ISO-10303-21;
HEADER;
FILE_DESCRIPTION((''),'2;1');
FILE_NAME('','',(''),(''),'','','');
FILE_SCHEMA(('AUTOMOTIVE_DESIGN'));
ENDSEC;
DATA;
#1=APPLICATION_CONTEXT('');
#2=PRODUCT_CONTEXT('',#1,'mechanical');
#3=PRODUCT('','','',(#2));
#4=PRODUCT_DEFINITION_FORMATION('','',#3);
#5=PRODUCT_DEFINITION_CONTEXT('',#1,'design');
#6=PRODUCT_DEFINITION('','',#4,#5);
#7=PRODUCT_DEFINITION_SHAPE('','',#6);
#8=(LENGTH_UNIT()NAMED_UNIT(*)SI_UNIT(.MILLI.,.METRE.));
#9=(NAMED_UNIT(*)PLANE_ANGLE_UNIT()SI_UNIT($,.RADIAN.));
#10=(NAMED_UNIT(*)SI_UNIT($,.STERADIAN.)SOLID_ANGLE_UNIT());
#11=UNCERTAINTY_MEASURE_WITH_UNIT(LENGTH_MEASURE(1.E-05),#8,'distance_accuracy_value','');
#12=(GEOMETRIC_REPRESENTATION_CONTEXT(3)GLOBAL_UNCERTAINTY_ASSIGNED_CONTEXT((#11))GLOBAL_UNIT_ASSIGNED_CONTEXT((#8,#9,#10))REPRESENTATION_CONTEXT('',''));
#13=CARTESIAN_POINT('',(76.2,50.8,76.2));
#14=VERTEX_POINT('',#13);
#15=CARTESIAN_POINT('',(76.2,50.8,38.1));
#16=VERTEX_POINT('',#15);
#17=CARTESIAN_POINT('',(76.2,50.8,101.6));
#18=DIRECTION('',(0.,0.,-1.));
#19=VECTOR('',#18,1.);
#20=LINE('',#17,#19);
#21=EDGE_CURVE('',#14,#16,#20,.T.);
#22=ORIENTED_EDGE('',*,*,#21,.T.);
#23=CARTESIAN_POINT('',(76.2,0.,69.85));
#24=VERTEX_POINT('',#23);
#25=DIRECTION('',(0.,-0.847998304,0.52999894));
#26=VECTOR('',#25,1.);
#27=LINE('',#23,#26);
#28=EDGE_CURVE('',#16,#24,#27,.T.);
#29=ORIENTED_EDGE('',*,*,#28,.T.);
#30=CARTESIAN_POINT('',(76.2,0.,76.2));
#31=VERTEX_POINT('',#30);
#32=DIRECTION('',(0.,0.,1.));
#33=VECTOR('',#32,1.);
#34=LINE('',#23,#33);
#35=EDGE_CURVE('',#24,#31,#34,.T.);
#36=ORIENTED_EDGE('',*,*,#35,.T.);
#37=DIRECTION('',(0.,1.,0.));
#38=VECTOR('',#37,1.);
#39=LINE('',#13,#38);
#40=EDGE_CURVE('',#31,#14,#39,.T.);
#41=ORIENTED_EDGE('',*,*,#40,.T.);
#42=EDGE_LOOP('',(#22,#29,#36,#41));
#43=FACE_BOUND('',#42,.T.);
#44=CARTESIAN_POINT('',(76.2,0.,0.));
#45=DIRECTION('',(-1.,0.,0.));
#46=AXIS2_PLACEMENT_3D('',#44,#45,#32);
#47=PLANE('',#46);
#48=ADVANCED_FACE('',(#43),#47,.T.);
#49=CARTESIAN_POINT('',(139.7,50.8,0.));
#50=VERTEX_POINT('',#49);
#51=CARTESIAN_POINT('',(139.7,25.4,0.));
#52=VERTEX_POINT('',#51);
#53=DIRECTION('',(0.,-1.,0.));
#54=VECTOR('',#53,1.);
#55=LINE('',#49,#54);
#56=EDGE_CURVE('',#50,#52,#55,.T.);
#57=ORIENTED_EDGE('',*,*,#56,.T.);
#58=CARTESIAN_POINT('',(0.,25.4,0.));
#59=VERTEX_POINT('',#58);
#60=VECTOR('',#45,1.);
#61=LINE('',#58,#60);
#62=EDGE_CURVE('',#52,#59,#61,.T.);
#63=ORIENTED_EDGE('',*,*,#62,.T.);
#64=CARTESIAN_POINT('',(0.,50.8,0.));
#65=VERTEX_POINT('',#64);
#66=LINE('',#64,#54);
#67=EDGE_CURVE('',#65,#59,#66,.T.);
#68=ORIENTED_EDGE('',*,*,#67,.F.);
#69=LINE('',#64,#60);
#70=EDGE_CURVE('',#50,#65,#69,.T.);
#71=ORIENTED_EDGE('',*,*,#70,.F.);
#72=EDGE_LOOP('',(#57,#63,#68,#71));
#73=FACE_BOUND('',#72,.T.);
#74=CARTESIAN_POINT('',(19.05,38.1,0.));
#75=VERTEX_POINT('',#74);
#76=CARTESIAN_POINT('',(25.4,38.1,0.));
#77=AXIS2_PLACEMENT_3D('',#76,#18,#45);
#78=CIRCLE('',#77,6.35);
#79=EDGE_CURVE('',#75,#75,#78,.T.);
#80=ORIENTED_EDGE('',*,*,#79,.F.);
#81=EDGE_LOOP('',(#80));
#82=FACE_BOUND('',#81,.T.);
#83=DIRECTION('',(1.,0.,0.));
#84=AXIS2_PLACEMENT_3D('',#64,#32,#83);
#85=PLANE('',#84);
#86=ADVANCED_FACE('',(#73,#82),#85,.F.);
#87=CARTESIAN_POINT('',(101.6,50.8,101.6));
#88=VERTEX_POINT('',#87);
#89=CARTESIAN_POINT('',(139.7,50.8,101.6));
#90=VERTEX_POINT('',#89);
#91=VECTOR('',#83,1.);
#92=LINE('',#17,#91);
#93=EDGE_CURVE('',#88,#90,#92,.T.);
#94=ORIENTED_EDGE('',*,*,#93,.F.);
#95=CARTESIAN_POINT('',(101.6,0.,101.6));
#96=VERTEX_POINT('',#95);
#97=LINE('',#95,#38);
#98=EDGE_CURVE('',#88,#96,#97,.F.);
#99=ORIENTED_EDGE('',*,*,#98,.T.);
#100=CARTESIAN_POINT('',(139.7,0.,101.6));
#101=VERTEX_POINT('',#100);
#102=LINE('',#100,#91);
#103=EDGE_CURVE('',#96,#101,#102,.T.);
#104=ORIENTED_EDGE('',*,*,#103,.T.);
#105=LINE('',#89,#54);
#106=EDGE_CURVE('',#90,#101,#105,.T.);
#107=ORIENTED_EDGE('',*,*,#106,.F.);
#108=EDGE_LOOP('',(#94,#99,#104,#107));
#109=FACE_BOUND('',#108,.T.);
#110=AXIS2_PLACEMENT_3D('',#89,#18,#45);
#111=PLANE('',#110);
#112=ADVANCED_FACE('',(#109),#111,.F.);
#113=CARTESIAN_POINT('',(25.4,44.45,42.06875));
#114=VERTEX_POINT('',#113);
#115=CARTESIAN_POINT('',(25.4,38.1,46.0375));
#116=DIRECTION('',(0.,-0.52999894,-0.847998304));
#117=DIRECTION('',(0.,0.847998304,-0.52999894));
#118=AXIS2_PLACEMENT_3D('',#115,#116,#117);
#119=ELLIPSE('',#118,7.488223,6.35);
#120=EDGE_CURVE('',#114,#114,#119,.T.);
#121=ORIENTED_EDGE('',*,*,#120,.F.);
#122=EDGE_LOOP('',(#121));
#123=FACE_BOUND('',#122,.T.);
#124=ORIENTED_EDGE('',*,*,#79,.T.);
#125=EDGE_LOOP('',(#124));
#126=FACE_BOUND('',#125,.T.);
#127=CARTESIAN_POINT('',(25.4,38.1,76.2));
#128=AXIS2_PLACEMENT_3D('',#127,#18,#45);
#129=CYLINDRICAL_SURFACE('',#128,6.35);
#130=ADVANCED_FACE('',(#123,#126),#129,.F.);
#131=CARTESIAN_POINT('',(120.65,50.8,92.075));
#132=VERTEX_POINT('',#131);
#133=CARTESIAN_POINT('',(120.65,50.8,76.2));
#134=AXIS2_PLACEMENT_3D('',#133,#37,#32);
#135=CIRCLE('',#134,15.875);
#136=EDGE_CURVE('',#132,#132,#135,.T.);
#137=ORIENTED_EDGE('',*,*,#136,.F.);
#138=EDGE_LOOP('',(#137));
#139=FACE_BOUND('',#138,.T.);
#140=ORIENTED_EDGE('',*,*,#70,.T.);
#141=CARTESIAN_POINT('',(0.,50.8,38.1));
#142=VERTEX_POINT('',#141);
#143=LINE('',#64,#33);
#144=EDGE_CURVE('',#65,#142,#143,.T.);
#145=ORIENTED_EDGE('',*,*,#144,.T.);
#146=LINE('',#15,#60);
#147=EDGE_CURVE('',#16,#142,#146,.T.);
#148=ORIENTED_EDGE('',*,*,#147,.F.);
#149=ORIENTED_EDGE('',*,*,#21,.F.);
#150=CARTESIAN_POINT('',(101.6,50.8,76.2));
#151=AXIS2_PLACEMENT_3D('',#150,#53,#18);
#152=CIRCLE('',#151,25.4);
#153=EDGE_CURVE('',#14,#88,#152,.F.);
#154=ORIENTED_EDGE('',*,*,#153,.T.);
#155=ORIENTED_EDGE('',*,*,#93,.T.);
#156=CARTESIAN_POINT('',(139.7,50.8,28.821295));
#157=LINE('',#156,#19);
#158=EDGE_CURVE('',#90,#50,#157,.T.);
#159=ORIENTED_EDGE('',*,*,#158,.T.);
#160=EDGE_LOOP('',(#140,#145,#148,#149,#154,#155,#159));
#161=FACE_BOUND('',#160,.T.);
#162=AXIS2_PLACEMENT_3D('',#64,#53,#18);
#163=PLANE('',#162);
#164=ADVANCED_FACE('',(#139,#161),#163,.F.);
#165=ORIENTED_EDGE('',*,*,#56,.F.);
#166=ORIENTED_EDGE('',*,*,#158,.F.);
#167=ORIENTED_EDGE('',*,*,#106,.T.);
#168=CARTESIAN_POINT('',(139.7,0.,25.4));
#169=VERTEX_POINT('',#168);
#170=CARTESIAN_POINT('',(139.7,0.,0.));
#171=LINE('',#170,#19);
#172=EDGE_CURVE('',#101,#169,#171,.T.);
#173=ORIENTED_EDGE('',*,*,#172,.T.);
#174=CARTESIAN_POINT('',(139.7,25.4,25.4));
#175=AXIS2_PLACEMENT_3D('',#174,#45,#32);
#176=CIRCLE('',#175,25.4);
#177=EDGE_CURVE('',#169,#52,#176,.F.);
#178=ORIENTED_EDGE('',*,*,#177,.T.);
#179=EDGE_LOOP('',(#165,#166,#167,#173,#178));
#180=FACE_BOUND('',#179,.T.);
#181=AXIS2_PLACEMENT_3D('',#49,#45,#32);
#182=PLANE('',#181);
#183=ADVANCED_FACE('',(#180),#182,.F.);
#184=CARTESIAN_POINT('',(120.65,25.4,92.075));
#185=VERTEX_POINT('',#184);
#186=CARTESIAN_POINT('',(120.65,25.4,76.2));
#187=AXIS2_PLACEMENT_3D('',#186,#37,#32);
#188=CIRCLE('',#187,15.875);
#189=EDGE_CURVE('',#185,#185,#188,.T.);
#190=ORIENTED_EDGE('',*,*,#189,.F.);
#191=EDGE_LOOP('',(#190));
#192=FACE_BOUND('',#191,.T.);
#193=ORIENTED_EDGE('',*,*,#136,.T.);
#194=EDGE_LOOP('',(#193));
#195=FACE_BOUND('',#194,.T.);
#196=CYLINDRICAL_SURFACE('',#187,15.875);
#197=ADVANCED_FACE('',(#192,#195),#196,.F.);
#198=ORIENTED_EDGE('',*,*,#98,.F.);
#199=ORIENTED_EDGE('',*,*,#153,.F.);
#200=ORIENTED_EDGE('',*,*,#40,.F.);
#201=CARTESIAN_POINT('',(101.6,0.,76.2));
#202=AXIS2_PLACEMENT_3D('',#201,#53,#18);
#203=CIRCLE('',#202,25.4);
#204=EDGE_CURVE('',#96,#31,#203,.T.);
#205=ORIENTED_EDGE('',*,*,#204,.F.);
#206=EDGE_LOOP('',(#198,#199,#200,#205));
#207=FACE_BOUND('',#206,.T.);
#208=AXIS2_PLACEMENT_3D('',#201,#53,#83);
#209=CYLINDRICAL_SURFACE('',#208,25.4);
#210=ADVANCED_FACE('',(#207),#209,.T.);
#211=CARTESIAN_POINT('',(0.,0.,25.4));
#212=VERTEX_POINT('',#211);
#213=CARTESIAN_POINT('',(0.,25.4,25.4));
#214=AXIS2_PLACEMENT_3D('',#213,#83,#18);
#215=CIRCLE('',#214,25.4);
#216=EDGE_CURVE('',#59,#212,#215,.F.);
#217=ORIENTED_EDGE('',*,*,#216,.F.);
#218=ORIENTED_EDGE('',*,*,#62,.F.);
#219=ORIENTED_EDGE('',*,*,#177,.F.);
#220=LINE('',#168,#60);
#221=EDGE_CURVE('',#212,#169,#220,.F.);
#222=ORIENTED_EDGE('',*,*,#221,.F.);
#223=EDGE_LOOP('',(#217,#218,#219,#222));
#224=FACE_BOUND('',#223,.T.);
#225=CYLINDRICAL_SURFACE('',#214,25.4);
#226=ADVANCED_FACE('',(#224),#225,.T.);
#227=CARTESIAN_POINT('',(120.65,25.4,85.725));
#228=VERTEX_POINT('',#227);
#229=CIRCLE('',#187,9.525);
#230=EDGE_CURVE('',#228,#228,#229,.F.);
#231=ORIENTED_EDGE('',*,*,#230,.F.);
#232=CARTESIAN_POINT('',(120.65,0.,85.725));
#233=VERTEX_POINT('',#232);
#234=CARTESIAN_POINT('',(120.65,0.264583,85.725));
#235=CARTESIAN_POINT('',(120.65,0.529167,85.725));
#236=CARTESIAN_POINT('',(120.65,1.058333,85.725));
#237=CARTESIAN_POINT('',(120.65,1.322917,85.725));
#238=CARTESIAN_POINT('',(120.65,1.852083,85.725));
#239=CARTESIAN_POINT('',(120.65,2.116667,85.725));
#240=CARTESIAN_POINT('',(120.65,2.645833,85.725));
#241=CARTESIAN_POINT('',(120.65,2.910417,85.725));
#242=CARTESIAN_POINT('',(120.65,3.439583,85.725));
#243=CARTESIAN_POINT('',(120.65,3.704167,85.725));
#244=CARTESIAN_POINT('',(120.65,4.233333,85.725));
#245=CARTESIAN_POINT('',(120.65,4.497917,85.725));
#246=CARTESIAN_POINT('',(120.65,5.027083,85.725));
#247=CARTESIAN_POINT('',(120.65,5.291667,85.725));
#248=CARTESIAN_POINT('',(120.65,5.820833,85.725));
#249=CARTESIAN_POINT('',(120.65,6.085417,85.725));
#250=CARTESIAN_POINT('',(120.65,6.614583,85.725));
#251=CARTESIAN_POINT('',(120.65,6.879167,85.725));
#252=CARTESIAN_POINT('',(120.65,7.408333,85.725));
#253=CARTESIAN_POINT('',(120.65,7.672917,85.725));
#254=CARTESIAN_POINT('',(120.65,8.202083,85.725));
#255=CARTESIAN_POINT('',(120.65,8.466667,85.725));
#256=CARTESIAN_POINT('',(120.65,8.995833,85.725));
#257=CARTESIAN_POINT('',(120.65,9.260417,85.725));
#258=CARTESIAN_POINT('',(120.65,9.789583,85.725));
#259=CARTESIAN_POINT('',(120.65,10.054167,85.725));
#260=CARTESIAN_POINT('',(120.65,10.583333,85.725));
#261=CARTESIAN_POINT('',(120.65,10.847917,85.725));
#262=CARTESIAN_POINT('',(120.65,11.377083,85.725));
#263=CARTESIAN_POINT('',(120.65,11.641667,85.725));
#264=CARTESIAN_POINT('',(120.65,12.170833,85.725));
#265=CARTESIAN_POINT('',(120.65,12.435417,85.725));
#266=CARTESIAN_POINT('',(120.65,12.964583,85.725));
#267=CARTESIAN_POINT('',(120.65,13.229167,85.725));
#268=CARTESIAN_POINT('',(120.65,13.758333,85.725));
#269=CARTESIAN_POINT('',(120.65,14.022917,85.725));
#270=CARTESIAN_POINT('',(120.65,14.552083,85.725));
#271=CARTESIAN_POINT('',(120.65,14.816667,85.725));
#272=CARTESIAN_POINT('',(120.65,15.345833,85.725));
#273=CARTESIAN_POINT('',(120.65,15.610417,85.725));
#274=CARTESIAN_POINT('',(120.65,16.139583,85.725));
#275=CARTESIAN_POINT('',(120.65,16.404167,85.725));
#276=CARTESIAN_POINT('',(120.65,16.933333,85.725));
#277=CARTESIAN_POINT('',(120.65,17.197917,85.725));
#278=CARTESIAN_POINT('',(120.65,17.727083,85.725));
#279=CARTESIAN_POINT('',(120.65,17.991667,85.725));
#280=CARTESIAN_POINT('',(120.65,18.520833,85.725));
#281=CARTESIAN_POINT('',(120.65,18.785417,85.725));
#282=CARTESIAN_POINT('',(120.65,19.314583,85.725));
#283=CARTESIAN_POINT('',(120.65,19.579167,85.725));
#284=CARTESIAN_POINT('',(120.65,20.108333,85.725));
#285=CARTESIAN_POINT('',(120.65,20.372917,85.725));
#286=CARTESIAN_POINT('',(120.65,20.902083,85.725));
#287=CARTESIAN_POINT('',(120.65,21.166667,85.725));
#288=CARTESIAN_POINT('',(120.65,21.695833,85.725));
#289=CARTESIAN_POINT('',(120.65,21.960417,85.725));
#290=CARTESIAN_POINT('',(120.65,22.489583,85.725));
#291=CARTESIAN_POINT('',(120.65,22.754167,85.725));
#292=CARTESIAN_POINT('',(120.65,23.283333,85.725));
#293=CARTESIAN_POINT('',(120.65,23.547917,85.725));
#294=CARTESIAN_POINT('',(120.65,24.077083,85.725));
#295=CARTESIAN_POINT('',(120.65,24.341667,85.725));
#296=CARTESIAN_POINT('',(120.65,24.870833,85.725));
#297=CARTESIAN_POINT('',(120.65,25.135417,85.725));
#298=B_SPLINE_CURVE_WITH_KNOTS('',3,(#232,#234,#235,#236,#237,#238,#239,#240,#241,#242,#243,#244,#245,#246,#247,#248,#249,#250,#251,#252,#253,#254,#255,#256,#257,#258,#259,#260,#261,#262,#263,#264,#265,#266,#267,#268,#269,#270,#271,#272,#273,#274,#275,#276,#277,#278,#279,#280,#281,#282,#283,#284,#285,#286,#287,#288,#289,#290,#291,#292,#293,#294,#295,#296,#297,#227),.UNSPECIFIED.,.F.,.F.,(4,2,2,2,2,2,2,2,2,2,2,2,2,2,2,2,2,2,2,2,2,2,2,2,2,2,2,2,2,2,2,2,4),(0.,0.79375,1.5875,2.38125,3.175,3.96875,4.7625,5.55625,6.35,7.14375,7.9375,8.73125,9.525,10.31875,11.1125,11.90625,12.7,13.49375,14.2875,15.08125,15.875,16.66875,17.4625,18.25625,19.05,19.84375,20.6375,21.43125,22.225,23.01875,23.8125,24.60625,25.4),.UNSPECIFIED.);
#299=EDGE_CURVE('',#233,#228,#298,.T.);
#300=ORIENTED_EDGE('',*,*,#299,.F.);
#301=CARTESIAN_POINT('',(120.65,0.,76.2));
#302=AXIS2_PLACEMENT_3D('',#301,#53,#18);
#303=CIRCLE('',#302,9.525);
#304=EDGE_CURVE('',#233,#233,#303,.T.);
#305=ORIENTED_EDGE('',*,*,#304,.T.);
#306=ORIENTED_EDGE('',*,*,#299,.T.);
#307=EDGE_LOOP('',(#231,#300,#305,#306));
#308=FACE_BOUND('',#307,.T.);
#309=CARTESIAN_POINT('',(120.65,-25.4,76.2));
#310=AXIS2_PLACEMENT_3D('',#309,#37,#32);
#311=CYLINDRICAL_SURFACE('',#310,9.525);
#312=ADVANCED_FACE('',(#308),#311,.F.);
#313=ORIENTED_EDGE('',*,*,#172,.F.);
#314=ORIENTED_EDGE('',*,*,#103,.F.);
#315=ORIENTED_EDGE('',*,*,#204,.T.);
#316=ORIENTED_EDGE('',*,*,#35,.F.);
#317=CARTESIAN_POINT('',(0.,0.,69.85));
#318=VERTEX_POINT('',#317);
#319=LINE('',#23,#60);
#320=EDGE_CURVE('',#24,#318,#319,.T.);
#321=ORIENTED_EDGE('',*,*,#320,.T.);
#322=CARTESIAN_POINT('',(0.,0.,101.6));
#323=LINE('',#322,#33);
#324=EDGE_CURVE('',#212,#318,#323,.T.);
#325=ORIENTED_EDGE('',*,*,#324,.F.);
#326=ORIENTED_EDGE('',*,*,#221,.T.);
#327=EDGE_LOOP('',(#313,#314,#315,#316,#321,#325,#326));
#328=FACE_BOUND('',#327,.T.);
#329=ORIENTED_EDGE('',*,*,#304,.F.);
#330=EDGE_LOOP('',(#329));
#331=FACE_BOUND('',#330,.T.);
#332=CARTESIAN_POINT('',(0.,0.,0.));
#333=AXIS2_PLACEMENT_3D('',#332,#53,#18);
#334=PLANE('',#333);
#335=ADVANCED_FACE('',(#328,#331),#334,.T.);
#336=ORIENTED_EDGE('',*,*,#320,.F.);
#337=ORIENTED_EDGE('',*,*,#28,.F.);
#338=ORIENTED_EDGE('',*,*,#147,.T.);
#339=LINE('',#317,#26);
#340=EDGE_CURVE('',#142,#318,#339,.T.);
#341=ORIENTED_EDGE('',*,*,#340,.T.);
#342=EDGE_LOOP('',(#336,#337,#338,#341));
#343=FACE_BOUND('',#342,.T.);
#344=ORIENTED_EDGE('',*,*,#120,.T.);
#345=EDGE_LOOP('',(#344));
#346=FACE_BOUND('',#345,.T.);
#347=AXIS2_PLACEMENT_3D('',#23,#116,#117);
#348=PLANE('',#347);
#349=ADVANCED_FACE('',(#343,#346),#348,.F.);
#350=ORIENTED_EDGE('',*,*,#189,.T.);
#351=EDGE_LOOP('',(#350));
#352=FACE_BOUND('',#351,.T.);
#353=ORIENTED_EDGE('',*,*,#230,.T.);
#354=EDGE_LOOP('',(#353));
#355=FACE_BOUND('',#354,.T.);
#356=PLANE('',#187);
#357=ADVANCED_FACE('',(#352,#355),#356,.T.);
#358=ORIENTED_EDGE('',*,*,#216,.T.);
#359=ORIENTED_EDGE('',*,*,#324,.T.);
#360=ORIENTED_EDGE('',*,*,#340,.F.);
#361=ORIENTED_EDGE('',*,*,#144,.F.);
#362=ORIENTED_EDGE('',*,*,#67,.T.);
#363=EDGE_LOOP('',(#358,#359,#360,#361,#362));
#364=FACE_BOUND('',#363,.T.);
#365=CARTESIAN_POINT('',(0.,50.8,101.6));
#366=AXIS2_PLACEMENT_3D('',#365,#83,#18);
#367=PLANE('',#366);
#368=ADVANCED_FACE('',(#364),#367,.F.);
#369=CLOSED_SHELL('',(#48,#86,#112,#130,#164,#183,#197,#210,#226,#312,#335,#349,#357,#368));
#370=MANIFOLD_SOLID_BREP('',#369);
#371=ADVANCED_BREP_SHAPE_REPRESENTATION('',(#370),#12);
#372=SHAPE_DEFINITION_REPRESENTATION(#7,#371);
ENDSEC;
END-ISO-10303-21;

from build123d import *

# Parameters (mm, degrees)
BOSS_EXTRUDE3_DEPTH = 50.8
CUT_EXTRUDE1_DEPTH  = 76.2
SKETCH7_R           = 6.35
CUT_EXTRUDE2_DEPTH  = 76.2
SKETCH8_R           = 9.525
CUT_EXTRUDE3_DEPTH  = 76.2
SKETCH9_R           = 15.875
CUT_EXTRUDE4_DEPTH  = 25.4
FILLET1_R           = 25.4


with BuildPart() as part:
    # Sketch2 → Boss-Extrude3 (new body)
    with BuildSketch(Plane(origin=(0, 0, 0), x_dir=(1, 0, 0), z_dir=(0, 1, 0))):
        Polygon((76.2, -101.6), (0, -101.6), (0, -50.8), (0, 0), (139.7, 0), (139.7, -28.821295133), (139.7, -101.6), align=None)
    extrude(amount=BOSS_EXTRUDE3_DEPTH)

    # Sketch5 → Cut-Extrude1 (cut)
    with BuildSketch(Plane.ZY):
        Polygon((69.85, 0), (101.6, 0), (101.6, 50.8), (38.1, 50.8), align=None)
    extrude(amount=-CUT_EXTRUDE1_DEPTH, mode=Mode.SUBTRACT)

    # Sketch7 → Cut-Extrude2 (cut)
    with BuildSketch(Plane(origin=(0, 0, 0), x_dir=(-1, 0, 0), z_dir=(0, 0, -1))):
        with Locations((-25.4, 38.1)):
            Circle(SKETCH7_R)
    extrude(amount=-CUT_EXTRUDE2_DEPTH, mode=Mode.SUBTRACT)

    # Sketch8 → Cut-Extrude3 (cut)
    with BuildSketch(Plane(origin=(0, 50.8, 0), x_dir=(1, 0, 0), z_dir=(0, 1, 0))):
        with Locations(Location((120.65, -76.2, 0), (0, 0, 270))):
            Circle(SKETCH8_R)
    extrude(amount=-CUT_EXTRUDE3_DEPTH, mode=Mode.SUBTRACT)

    # Sketch9 → Cut-Extrude4 (cut)
    with BuildSketch(Plane(origin=(0, 50.8, 0), x_dir=(1, 0, 0), z_dir=(0, 1, 0))):
        with Locations(Location((120.65, -76.2, 0), (0, 0, 270))):
            Circle(SKETCH9_R)
    extrude(amount=-CUT_EXTRUDE4_DEPTH, mode=Mode.SUBTRACT)

    # Fillet1
    fillet1_edges = [part.edges().sort_by_distance(p)[0] for p in [
        (76.2, 25.4, 101.6),
        (69.85, 0, 0),
    ]]
    fillet(fillet1_edges, radius=FILLET1_R)


solid = part.part
